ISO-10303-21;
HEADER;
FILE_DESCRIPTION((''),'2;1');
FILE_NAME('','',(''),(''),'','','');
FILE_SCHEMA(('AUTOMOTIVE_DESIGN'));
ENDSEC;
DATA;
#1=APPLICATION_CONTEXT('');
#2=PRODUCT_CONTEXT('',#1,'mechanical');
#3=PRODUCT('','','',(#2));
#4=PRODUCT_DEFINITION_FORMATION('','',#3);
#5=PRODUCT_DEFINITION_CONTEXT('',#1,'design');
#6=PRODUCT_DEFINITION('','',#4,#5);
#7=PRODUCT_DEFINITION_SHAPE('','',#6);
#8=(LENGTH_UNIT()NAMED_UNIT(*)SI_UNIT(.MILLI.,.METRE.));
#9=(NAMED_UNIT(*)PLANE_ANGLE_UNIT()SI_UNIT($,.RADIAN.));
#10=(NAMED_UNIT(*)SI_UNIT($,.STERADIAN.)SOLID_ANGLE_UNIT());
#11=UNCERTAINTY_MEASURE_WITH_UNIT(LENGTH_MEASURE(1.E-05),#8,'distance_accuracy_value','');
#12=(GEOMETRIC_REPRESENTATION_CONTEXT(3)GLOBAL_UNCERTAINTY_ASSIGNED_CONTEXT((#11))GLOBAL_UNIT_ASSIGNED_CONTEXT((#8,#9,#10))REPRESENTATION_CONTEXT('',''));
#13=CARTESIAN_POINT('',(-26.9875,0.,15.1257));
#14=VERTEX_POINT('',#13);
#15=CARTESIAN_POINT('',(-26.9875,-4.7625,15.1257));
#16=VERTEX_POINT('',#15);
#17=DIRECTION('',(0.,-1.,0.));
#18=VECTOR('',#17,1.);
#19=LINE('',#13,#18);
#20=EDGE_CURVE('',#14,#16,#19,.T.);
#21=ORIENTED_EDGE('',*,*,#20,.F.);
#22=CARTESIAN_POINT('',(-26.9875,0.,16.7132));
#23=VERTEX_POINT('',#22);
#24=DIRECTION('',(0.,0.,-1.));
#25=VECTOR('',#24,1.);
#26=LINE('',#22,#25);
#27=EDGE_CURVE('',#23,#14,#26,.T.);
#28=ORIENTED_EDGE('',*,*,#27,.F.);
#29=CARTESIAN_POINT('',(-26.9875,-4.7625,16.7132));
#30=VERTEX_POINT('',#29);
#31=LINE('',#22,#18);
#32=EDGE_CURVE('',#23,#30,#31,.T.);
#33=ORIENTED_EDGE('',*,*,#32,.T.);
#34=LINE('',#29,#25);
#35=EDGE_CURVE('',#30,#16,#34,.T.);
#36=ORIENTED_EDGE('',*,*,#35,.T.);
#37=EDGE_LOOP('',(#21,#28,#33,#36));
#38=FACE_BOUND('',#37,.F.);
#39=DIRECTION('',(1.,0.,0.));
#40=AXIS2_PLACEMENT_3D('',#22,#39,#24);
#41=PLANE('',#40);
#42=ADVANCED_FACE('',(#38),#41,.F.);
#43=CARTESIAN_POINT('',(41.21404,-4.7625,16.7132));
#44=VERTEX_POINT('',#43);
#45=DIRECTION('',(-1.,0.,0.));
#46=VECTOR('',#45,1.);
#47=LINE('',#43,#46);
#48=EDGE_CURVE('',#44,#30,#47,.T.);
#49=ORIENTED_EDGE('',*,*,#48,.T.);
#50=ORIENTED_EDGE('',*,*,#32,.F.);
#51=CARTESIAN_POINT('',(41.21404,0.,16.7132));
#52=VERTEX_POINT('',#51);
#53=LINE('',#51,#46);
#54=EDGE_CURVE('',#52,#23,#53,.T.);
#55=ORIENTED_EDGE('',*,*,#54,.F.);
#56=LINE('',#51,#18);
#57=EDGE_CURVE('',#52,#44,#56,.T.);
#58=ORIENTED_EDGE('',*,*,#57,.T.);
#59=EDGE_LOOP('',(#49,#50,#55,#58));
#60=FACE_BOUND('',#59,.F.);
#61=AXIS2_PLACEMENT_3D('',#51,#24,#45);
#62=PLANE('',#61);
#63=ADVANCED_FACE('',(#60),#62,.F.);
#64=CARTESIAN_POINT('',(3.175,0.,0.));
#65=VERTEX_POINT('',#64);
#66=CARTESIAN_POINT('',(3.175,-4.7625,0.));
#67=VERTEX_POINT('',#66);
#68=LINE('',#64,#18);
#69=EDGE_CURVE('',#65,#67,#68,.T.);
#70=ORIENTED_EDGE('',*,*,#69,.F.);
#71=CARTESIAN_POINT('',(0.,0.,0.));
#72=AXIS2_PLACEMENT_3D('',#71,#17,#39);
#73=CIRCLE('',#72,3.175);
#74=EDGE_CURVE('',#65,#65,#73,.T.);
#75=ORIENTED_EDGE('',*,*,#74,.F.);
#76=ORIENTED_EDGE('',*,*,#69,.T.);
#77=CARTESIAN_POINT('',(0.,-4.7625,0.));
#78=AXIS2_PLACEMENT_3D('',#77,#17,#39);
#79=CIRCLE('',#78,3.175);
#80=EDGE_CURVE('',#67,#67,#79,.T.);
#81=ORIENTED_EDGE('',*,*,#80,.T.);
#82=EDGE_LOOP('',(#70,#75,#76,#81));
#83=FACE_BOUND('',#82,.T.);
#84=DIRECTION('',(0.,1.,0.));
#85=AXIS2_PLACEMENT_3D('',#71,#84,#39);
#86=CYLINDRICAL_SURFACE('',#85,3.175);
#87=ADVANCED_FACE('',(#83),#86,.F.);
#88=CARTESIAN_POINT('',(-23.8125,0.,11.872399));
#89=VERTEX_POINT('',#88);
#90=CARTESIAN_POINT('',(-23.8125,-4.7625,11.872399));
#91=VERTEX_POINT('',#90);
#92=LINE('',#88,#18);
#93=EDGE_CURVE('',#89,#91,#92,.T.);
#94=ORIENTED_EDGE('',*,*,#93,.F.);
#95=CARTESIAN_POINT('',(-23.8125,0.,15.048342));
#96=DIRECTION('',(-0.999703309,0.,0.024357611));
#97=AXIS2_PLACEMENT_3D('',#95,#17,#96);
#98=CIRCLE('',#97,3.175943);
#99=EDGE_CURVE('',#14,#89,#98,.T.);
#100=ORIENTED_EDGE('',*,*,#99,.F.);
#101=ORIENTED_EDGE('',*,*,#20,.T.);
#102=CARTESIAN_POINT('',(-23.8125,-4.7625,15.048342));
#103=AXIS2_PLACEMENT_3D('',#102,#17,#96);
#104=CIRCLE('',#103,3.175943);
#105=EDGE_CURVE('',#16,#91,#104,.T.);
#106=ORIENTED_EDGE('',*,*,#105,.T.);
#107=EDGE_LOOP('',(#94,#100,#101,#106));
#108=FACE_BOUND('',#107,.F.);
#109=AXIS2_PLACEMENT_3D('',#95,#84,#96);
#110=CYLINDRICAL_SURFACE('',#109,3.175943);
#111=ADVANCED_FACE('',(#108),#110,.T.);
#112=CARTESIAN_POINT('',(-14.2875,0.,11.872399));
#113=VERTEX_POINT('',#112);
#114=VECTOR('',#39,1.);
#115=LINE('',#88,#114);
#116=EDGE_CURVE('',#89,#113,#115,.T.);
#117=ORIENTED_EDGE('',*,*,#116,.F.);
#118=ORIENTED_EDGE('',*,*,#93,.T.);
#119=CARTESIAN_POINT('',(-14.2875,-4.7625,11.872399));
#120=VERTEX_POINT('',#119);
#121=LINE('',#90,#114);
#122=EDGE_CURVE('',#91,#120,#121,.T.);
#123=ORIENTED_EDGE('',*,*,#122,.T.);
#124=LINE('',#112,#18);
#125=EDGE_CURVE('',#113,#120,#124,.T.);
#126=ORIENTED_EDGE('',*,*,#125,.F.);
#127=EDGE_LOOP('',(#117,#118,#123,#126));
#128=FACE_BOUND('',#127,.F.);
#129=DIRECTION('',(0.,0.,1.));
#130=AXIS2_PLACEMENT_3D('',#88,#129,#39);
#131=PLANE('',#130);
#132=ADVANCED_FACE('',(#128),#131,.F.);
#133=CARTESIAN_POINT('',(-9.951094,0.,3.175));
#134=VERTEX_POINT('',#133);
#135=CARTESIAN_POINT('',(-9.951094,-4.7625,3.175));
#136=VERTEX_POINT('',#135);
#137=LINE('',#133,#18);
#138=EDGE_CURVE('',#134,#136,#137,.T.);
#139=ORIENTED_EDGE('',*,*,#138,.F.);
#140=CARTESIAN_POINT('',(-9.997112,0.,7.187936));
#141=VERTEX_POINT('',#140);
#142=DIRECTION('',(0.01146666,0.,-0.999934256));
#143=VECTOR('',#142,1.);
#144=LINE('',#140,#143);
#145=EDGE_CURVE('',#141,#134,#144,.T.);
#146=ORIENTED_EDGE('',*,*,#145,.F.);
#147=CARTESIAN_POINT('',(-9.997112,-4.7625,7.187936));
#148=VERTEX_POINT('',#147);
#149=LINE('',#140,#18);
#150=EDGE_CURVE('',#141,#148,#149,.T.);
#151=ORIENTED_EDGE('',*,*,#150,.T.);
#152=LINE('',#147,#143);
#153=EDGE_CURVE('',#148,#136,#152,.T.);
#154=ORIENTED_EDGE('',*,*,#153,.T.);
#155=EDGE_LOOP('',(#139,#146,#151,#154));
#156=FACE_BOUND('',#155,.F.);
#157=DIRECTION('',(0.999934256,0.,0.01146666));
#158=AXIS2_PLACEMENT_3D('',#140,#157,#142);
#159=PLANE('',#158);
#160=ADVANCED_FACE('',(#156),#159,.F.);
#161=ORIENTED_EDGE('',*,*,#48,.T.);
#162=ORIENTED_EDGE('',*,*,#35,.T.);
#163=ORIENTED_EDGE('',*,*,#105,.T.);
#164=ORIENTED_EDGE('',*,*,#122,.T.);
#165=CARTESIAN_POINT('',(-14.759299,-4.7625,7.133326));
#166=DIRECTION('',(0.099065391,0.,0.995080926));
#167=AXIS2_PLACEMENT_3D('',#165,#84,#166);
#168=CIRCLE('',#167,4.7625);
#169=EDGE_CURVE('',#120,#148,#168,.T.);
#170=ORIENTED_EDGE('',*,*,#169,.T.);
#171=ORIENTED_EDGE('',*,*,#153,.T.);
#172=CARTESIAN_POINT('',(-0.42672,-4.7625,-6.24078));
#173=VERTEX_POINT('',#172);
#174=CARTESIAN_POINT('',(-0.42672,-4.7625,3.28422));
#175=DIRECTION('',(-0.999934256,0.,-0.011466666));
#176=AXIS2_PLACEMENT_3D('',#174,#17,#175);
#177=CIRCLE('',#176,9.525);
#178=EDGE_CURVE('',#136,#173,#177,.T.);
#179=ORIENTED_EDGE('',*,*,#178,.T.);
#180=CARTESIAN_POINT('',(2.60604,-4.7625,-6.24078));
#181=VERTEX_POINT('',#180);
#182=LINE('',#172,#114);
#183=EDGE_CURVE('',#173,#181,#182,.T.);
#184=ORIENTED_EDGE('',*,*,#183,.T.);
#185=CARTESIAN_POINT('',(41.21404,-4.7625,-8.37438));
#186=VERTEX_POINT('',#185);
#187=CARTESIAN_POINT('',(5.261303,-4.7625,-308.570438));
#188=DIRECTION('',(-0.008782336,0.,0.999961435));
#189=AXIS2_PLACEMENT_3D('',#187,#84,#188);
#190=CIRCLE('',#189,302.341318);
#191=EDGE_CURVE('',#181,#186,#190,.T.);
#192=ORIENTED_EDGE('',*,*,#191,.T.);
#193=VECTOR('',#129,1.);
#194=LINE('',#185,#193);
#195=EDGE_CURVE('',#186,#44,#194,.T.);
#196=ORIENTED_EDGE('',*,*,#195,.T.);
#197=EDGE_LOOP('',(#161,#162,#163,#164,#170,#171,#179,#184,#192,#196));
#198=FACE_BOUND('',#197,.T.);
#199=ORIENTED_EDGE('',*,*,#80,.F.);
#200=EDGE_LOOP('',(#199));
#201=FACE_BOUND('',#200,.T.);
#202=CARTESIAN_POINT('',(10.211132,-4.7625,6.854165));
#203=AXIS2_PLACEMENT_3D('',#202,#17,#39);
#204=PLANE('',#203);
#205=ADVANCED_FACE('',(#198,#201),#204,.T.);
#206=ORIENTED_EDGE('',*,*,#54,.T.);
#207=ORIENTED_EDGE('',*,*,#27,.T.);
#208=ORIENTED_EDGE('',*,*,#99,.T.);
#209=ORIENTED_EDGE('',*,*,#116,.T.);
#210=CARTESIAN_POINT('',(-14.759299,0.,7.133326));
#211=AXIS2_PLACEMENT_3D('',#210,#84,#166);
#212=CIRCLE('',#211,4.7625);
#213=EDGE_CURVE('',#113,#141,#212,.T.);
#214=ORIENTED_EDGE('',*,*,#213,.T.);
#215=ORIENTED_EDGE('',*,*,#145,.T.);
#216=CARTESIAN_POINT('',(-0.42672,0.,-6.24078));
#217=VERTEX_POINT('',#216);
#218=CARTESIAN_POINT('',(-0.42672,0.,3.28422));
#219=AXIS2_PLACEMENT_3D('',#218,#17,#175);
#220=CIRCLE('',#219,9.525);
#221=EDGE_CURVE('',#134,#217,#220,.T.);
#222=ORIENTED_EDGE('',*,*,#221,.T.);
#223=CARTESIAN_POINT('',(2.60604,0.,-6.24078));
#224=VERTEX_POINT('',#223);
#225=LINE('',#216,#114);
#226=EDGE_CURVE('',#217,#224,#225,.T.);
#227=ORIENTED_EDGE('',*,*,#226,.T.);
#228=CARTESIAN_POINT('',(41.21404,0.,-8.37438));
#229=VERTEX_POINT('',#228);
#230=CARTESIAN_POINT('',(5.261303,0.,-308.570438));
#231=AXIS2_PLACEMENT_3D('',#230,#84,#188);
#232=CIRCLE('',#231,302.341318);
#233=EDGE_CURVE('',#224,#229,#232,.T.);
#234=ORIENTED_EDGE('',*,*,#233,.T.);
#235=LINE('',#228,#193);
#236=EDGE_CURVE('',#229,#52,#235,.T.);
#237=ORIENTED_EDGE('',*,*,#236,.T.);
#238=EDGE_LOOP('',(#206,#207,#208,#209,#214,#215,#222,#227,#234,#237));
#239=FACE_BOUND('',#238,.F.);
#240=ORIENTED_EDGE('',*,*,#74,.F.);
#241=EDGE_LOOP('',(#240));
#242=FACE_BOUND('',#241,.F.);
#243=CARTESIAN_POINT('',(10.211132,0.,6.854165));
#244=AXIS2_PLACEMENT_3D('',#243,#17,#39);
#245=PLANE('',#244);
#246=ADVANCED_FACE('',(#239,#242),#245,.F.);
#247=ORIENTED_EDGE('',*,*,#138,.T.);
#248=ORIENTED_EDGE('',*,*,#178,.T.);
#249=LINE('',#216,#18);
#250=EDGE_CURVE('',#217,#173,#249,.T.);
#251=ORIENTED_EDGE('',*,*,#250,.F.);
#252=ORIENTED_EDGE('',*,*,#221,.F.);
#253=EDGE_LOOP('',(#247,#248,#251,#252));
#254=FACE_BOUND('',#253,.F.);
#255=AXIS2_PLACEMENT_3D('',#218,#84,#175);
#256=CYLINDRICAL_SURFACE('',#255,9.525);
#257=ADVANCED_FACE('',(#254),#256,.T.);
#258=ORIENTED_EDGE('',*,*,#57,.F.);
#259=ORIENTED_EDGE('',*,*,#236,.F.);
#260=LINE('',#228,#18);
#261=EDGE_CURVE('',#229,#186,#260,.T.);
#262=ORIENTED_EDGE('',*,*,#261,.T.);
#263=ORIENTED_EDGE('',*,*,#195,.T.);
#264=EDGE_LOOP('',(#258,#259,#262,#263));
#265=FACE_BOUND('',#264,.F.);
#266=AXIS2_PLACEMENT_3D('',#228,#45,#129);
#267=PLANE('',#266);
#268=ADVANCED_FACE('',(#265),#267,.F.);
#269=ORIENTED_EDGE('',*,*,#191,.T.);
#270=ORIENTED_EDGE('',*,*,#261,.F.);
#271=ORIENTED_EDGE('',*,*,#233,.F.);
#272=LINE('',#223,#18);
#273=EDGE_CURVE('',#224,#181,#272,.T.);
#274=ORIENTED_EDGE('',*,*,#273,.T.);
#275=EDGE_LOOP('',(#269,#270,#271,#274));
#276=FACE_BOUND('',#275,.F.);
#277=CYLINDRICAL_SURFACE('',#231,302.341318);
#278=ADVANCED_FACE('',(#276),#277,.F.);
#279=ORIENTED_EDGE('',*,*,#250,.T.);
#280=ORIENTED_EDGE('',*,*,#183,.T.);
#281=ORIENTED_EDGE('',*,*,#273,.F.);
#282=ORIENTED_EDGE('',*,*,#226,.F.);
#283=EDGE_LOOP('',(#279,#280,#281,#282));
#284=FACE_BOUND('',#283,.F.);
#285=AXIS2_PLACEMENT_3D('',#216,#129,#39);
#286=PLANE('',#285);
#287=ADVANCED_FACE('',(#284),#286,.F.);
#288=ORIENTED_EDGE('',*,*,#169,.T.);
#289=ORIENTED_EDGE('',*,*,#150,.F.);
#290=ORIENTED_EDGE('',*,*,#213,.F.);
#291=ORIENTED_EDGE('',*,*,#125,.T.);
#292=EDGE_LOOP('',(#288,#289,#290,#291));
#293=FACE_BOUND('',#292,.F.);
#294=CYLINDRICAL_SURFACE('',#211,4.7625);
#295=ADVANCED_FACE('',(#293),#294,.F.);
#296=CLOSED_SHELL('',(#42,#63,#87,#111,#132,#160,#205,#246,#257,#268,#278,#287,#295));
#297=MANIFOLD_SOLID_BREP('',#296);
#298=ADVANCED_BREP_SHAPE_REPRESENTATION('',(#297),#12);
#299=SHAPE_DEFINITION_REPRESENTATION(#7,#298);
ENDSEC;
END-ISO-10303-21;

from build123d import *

# Parameters (mm, degrees)
F0_R     = 3.175
F1_DEPTH = 4.7625


with BuildPart() as f1:
    # F0 (on Front) → F1 (new body)
    with BuildSketch(Plane.XZ):
        with BuildLine():
            Line((41.21404, 16.7132), (-26.9875, 16.7132))
            Line((-26.9875, 16.7132), (-26.9875, 15.1257))
            ThreePointArc((-26.9875, 15.1257), (-26.085416, 12.83013), (-23.8125, 11.872399))
            Line((-23.8125, 11.872399), (-14.2875, 11.872399))
            ThreePointArc((-14.2875, 11.872399), (-11.24722, 10.349956), (-9.997112, 7.187936))
            Line((-9.997112, 7.187936), (-9.951094, 3.175))
            ThreePointArc((-9.951094, 3.175), (-7.123186, -3.489477), (-0.42672, -6.24078))
            Line((-0.42672, -6.24078), (2.60604, -6.24078))
            ThreePointArc((2.60604, -6.24078), (21.944184, -6.689743), (41.21404, -8.37438))
            Line((41.21404, -8.37438), (41.21404, 16.7132))
        make_face()
        Circle(F0_R, mode=Mode.SUBTRACT)
    extrude(amount=F1_DEPTH)


solid = f1.part
